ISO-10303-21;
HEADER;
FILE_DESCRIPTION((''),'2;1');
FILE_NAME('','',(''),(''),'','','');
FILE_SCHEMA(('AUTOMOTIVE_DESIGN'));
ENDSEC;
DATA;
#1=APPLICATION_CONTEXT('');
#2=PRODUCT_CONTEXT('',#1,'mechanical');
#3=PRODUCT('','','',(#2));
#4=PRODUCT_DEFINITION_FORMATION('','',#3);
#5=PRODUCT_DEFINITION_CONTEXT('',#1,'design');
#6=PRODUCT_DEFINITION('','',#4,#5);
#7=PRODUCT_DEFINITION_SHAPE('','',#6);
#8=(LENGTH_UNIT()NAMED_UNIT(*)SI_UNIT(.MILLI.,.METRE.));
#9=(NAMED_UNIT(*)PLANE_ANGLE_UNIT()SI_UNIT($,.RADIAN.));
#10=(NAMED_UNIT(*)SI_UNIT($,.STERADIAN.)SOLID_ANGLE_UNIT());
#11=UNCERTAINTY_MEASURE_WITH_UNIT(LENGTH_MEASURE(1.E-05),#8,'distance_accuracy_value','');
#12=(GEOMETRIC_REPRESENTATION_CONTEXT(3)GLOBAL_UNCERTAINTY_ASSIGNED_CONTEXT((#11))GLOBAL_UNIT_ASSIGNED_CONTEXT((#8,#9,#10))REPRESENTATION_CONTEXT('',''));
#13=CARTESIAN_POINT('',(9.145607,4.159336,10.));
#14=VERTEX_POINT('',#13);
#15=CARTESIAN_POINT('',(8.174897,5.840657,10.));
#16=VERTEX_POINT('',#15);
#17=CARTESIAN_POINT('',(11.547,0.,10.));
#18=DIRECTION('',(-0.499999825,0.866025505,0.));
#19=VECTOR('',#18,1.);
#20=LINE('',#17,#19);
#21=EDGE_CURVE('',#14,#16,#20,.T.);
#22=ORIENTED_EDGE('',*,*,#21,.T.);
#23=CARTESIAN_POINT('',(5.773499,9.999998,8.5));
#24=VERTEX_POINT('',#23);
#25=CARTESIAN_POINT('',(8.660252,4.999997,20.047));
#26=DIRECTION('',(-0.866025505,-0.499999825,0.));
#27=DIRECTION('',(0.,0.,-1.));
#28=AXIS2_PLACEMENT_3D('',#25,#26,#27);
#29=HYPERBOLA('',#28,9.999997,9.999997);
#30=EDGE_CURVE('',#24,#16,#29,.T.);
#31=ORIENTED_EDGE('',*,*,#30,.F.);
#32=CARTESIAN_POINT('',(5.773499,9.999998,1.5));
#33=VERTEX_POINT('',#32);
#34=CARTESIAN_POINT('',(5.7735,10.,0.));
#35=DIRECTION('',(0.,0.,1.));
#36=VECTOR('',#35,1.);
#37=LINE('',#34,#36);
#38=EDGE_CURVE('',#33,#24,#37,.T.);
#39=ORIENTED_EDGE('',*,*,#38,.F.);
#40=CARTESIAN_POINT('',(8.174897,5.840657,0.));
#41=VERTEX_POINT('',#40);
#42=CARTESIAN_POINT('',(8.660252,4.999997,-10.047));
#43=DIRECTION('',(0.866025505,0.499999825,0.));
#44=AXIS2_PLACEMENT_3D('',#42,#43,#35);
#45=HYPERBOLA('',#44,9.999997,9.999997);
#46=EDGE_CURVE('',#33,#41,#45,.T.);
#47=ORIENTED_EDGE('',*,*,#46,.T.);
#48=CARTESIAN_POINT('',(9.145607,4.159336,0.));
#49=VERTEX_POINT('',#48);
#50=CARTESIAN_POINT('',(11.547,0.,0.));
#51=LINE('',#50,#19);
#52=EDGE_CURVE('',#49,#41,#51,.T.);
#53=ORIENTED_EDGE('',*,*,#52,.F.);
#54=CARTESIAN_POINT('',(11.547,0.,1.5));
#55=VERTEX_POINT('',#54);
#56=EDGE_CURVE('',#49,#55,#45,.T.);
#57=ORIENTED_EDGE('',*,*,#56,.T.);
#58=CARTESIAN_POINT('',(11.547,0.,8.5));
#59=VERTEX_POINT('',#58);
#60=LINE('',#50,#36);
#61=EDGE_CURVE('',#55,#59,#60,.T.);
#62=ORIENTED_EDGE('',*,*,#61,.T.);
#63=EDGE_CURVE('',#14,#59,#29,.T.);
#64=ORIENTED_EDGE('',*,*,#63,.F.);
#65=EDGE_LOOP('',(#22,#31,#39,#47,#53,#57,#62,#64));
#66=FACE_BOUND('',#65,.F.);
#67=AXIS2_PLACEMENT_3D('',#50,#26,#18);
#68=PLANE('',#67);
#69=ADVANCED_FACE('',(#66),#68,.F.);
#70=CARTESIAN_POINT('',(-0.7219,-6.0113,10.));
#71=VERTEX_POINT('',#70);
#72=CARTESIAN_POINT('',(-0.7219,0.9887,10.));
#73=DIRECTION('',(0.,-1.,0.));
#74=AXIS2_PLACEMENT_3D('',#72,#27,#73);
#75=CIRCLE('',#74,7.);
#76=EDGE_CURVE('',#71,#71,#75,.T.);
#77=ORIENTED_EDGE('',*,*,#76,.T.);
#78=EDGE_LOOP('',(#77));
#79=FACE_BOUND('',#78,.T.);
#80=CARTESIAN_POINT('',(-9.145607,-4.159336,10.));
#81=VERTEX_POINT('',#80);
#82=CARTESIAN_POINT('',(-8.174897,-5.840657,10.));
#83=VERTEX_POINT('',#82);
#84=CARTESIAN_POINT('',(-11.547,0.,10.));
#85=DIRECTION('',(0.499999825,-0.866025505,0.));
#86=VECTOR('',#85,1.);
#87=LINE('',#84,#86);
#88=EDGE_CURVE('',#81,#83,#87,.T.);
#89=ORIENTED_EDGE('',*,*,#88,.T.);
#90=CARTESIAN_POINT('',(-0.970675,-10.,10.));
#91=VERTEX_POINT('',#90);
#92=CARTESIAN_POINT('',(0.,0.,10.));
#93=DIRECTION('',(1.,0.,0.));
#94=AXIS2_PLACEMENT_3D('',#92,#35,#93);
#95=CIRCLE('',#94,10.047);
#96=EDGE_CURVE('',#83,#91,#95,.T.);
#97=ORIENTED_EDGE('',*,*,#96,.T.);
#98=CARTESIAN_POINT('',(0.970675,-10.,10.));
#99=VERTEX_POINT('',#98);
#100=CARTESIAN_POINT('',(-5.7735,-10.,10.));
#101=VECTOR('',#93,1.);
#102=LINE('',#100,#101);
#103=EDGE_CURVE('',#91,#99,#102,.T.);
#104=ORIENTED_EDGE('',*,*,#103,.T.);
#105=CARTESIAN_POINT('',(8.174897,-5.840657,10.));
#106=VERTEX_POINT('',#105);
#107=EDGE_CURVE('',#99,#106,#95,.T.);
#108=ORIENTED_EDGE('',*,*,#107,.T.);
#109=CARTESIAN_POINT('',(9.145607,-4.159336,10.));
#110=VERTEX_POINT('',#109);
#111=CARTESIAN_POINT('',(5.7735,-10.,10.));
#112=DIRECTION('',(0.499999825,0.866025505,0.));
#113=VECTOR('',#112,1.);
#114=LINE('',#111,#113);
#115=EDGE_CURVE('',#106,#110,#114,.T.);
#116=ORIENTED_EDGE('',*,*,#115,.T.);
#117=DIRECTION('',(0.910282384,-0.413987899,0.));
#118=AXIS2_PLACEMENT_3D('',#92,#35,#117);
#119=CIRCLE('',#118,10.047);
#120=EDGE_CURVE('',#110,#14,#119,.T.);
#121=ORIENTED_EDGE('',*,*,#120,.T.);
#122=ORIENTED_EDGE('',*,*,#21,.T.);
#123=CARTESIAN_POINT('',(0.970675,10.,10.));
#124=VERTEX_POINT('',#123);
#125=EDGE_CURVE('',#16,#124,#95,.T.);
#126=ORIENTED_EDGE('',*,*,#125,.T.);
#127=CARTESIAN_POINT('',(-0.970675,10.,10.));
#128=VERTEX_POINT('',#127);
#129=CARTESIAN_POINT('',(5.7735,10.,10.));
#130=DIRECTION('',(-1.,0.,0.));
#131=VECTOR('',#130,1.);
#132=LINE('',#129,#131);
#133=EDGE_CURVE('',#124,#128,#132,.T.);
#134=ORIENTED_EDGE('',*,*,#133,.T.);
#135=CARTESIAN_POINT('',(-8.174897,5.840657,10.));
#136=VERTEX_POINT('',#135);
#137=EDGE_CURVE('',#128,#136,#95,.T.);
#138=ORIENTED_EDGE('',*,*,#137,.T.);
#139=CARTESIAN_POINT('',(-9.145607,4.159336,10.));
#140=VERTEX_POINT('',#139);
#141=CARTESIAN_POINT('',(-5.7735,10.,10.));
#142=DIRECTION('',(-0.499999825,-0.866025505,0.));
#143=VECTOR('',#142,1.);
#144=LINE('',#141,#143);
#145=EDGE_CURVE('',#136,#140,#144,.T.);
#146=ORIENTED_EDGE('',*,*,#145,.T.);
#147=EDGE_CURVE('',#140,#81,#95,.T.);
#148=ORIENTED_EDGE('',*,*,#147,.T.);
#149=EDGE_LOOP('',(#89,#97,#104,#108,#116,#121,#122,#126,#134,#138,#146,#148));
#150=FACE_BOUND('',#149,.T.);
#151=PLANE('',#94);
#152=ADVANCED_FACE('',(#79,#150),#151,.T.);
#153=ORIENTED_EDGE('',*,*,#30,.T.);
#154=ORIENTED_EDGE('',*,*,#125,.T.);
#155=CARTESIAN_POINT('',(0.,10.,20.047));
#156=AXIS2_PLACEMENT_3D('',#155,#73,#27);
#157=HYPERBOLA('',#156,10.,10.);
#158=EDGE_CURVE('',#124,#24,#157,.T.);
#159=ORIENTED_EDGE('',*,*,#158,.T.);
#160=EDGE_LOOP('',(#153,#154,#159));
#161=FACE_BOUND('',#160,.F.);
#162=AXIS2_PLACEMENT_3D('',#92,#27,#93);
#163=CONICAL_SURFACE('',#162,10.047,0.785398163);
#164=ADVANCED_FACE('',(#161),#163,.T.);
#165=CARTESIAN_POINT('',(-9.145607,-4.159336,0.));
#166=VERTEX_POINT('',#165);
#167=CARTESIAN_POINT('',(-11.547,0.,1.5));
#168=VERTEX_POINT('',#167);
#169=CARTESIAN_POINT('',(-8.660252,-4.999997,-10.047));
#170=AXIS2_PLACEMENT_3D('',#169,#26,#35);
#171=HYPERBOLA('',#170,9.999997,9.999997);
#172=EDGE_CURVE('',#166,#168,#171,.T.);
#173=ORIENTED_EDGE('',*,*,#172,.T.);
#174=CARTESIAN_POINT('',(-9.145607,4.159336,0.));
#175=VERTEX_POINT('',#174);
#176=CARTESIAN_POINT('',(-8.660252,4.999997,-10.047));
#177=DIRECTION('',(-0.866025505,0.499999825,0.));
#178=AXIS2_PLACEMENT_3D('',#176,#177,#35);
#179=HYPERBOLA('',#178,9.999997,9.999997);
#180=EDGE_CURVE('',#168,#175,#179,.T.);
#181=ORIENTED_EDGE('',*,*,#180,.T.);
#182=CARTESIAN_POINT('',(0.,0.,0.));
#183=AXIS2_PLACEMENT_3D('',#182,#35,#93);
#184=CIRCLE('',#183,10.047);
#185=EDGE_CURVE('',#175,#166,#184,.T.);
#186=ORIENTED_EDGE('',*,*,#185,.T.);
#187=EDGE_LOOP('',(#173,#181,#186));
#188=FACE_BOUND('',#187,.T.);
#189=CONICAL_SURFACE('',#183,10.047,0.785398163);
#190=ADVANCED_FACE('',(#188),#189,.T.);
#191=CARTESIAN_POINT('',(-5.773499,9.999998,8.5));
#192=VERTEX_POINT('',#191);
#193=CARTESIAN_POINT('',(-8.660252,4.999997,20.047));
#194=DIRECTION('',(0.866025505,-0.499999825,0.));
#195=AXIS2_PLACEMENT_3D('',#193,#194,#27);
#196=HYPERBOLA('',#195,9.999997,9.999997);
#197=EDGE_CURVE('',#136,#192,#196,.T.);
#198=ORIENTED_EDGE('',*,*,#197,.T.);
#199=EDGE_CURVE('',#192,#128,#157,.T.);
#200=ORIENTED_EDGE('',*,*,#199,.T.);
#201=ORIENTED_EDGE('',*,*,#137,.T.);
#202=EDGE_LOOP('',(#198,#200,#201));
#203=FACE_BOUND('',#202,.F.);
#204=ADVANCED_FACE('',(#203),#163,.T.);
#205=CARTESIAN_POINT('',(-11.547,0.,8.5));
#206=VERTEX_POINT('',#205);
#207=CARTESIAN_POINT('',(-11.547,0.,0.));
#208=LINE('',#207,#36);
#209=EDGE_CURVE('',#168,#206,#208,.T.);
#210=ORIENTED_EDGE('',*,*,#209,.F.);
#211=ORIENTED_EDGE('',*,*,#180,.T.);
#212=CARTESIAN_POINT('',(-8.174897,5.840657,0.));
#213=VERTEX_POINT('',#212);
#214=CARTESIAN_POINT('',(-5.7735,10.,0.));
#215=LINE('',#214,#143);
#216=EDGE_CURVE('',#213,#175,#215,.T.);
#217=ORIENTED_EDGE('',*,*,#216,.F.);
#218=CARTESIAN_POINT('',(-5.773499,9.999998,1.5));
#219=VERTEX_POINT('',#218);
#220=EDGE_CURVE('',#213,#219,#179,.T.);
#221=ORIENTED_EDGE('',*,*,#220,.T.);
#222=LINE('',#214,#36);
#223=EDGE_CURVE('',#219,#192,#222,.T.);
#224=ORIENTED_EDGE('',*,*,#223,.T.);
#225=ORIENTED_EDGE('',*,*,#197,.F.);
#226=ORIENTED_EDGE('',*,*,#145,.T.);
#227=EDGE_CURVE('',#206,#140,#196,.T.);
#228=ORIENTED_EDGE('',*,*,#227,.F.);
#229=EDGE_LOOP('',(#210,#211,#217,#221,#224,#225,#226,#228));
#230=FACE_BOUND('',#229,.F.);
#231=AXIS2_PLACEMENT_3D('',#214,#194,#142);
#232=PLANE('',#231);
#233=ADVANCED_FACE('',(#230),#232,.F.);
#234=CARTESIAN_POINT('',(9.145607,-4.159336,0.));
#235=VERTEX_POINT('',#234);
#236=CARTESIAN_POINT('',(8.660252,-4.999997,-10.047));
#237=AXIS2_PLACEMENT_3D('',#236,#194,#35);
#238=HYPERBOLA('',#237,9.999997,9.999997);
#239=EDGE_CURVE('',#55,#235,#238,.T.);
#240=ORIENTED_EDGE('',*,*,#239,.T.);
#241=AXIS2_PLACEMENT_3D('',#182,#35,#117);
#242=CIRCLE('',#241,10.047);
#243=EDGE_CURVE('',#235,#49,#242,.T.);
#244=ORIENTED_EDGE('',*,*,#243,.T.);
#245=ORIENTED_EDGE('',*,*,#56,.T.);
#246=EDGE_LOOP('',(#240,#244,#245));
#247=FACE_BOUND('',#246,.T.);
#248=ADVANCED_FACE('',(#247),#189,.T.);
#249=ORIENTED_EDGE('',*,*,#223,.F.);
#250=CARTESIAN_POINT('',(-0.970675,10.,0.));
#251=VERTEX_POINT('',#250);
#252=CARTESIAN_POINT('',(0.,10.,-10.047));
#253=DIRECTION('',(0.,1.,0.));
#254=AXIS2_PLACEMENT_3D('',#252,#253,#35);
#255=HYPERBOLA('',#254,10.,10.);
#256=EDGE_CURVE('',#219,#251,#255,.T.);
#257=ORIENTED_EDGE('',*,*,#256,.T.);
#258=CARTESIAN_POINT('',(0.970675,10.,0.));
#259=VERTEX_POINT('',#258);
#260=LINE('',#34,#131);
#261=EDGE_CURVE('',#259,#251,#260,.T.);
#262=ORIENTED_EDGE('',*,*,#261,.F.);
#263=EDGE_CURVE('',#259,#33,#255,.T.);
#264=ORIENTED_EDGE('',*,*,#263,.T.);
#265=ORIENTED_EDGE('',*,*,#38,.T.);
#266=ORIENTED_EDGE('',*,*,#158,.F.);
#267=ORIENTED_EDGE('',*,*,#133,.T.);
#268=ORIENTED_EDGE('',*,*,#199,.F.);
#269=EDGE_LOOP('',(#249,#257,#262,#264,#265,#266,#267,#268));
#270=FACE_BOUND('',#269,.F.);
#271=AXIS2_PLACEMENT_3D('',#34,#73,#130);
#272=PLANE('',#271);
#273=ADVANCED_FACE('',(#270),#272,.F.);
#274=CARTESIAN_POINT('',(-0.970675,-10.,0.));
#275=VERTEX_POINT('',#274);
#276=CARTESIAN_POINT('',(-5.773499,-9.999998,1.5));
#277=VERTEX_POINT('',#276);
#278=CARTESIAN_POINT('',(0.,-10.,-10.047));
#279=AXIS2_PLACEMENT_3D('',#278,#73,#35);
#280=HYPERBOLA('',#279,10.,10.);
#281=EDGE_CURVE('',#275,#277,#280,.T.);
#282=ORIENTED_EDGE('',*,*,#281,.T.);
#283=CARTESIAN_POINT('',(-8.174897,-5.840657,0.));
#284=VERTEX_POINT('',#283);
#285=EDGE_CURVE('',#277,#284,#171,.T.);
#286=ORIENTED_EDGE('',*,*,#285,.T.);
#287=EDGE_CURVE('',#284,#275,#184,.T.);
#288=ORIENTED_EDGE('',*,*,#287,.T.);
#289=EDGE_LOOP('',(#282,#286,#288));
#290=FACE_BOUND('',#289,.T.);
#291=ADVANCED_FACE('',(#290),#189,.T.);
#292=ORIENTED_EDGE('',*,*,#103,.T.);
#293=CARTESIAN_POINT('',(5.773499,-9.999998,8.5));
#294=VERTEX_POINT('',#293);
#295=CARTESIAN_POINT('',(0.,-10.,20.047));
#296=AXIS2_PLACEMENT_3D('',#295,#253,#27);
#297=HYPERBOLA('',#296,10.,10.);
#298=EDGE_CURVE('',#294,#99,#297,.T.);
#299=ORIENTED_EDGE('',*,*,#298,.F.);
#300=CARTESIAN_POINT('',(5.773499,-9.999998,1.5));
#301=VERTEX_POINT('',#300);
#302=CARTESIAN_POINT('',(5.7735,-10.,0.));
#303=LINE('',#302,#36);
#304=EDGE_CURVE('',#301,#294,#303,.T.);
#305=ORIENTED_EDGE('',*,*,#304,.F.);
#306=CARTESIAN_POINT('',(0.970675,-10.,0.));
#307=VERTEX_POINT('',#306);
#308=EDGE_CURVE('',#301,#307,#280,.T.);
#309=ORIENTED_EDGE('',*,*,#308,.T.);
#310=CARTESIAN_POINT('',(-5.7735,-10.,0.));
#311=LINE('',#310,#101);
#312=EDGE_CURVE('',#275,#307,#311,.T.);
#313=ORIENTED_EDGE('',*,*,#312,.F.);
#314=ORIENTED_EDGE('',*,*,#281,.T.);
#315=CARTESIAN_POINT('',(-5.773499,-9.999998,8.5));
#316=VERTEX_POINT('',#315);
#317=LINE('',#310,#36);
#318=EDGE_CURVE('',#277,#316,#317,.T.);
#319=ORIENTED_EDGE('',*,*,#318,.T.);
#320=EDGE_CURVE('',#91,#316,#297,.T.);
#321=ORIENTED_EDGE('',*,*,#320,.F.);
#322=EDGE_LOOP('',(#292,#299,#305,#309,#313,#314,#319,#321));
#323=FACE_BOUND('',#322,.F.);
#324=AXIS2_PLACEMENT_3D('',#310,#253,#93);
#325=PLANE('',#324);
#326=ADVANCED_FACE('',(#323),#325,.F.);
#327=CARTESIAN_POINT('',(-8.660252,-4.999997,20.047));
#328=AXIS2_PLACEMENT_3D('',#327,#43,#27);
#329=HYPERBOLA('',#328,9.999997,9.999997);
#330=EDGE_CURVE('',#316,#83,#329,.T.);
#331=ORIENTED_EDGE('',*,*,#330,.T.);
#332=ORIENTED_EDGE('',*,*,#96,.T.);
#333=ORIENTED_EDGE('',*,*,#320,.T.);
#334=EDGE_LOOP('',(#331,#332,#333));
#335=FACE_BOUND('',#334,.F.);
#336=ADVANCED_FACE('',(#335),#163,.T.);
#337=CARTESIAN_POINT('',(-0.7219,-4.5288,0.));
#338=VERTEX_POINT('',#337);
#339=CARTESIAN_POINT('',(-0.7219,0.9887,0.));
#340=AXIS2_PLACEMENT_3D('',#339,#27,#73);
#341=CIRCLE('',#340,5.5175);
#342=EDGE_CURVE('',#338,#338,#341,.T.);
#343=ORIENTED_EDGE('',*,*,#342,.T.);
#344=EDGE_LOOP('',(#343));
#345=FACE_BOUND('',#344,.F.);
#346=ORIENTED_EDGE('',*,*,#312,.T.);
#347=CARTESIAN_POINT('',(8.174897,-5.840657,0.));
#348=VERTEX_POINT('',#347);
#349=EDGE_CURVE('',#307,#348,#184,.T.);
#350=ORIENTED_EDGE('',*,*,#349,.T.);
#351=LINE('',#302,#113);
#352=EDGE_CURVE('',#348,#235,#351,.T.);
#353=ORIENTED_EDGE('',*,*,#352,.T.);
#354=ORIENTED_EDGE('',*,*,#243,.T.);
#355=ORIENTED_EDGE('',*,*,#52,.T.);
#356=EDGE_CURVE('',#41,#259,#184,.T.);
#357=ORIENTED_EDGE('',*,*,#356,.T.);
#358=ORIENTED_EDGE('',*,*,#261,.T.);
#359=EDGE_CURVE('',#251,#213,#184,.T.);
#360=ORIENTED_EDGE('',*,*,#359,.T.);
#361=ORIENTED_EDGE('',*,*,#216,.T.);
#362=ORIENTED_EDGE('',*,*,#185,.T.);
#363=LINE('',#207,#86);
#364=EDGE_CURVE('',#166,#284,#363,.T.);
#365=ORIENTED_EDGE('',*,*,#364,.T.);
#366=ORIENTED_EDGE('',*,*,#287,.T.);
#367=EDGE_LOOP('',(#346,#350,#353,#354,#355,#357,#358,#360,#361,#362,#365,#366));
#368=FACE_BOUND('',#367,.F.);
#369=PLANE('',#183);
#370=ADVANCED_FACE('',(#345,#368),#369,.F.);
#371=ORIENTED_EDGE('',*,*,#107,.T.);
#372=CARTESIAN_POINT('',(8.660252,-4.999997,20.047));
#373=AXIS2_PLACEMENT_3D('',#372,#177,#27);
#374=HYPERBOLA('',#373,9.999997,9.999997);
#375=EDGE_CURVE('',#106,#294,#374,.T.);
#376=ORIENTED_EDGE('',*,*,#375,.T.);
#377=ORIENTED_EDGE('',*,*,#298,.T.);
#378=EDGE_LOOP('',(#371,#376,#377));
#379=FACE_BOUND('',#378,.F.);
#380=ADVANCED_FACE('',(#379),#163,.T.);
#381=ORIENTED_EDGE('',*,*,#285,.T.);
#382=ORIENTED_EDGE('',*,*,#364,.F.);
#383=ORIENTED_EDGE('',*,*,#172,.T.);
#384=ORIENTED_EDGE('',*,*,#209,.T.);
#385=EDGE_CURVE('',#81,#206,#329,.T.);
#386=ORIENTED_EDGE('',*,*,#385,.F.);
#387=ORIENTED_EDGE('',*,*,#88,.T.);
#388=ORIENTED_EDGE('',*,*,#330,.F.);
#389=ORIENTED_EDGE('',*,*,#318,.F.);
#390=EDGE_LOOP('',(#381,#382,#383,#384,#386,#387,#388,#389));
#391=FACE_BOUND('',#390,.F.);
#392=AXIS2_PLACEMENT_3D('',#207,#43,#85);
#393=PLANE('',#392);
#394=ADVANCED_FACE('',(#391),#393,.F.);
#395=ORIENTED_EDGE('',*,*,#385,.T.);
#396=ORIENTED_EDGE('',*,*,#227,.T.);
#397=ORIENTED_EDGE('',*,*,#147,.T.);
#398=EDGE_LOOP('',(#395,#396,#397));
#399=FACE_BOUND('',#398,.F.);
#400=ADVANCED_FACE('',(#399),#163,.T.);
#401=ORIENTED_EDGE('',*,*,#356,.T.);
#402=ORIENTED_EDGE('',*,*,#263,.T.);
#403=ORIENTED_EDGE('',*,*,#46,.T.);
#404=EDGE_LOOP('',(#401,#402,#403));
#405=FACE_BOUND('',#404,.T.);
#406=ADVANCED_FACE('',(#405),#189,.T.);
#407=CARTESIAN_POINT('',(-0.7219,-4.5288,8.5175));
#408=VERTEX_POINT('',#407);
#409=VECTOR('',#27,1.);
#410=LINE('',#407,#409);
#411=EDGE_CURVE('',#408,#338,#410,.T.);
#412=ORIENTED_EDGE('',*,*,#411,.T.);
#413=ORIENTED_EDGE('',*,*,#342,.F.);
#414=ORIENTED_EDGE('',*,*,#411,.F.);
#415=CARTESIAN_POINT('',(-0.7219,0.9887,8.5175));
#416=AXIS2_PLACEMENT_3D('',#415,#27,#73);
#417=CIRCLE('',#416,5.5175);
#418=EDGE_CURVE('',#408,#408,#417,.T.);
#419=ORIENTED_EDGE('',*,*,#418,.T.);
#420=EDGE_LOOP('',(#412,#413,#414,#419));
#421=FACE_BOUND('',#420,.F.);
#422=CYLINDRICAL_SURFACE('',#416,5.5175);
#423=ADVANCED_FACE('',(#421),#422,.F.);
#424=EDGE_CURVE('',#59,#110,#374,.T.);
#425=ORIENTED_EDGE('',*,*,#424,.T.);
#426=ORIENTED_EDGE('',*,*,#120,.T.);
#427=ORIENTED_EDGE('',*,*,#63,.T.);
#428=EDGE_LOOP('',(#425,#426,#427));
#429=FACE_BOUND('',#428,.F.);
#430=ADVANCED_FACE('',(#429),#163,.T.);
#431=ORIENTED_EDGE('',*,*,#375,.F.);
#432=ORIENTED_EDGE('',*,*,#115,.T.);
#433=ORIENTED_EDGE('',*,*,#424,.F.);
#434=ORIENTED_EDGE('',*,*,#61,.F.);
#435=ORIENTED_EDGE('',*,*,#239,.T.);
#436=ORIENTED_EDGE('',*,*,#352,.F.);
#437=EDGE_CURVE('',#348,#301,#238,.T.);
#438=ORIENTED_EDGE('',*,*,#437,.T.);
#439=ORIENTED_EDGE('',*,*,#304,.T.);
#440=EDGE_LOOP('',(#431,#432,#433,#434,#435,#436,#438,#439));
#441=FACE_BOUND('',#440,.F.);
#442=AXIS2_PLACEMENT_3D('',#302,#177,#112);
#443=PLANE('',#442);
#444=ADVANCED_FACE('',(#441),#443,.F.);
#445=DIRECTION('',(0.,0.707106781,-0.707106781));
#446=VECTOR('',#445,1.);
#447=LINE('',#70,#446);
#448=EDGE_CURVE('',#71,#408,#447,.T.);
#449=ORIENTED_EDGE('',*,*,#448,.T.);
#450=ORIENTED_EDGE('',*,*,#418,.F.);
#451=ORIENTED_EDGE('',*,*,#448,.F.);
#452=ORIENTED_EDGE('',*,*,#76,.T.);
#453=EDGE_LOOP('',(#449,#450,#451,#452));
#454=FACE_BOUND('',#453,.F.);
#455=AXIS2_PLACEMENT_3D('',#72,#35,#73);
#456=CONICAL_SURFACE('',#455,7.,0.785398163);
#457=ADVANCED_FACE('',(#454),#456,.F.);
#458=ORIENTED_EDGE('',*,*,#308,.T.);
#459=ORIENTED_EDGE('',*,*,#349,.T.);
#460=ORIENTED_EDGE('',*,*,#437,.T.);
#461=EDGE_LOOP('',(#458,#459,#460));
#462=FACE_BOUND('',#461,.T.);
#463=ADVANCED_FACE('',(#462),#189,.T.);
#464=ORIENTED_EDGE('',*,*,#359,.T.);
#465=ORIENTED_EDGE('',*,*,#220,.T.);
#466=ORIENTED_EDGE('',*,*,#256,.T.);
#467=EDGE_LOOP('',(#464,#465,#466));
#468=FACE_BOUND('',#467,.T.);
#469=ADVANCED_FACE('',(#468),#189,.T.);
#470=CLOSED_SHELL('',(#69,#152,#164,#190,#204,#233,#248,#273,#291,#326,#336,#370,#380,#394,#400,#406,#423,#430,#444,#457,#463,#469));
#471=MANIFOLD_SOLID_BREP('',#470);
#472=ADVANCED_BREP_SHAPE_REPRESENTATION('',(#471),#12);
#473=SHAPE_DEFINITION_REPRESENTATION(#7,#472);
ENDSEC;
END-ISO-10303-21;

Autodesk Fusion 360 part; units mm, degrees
sketch "Hex Polygon" plane through (0, 0, 0) normal (0, 0, 1) x (1, 0, 0) in component "Hex Nut"
  line L0 (-5.7735, 10) -> (-11.547, 0)
  line L1 (-11.547, 0) -> (-5.7735, -10)
  line L2 (-5.7735, -10) -> (5.7735, -10)
  line L3 (5.7735, -10) -> (11.547, 0)
  line L4 (11.547, 0) -> (5.7735, 10)
  line L5 (5.7735, 10) -> (-5.7735, 10)
  dimension "d1" = 10
extrude "Extrude1" add sketch "Hex Polygon" along normal blind 10 in component "Hex Nut"
sketch "Chamfer Cutout" plane through (0, 0, 0) normal (0, 1, 0) x (1, 0, 0) in component "Hex Nut"
  line L0 (11.547, -10) -> (10.047, -10)
  line L1 (10.047, -10) -> (11.547, -8.5)
  line L2 (11.547, -8.5) -> (11.547, -10)
  point P0 (11.547, -10)
  dimension "d4" = 1.5
revolve "Revolve1" cut sketch "Chamfer Cutout" angle 360 about axis through (0, 0, 1.75) along (0, 0, 1) in component "Hex Nut"
hole "Hole1" at (-0.7219, 0.9887, 10) direction (0, 0, -1) diameter 11.035 end through all countersink diameter 14 countersink angle 90 in component "Hex Nut"
thread "Thread1" "GB Metric profile 12.0 M12x1 6H" thread offset 0 thread depth 8.5 in component "Hex Nut"
ref_plane "WorkPlane1" through (0, 0, 5) normal (0, 0, 1) x (1, 0, 0) in component "Hex Nut"
mirror "Mirror1" about plane through (0, 0, 5) normal (0, 0, 1) of 7 faces at (10.7886, 0.4867, 9.2475) (4.9728, -9.5865, 9.2475) (-4.9728, -9.5865, 9.2475) (0.1071, -8.6444, 10) (4.9728, 9.5865, 9.2475) (-10.7886, -0.4867, 9.2475) (-4.9728, 9.5865, 9.2475) in component "Hex Nut"
component "Hex Nut" placed x (1, 0, 0) y (0, 1, 0) z (0, 0, 1) at (0, 0, 0)
